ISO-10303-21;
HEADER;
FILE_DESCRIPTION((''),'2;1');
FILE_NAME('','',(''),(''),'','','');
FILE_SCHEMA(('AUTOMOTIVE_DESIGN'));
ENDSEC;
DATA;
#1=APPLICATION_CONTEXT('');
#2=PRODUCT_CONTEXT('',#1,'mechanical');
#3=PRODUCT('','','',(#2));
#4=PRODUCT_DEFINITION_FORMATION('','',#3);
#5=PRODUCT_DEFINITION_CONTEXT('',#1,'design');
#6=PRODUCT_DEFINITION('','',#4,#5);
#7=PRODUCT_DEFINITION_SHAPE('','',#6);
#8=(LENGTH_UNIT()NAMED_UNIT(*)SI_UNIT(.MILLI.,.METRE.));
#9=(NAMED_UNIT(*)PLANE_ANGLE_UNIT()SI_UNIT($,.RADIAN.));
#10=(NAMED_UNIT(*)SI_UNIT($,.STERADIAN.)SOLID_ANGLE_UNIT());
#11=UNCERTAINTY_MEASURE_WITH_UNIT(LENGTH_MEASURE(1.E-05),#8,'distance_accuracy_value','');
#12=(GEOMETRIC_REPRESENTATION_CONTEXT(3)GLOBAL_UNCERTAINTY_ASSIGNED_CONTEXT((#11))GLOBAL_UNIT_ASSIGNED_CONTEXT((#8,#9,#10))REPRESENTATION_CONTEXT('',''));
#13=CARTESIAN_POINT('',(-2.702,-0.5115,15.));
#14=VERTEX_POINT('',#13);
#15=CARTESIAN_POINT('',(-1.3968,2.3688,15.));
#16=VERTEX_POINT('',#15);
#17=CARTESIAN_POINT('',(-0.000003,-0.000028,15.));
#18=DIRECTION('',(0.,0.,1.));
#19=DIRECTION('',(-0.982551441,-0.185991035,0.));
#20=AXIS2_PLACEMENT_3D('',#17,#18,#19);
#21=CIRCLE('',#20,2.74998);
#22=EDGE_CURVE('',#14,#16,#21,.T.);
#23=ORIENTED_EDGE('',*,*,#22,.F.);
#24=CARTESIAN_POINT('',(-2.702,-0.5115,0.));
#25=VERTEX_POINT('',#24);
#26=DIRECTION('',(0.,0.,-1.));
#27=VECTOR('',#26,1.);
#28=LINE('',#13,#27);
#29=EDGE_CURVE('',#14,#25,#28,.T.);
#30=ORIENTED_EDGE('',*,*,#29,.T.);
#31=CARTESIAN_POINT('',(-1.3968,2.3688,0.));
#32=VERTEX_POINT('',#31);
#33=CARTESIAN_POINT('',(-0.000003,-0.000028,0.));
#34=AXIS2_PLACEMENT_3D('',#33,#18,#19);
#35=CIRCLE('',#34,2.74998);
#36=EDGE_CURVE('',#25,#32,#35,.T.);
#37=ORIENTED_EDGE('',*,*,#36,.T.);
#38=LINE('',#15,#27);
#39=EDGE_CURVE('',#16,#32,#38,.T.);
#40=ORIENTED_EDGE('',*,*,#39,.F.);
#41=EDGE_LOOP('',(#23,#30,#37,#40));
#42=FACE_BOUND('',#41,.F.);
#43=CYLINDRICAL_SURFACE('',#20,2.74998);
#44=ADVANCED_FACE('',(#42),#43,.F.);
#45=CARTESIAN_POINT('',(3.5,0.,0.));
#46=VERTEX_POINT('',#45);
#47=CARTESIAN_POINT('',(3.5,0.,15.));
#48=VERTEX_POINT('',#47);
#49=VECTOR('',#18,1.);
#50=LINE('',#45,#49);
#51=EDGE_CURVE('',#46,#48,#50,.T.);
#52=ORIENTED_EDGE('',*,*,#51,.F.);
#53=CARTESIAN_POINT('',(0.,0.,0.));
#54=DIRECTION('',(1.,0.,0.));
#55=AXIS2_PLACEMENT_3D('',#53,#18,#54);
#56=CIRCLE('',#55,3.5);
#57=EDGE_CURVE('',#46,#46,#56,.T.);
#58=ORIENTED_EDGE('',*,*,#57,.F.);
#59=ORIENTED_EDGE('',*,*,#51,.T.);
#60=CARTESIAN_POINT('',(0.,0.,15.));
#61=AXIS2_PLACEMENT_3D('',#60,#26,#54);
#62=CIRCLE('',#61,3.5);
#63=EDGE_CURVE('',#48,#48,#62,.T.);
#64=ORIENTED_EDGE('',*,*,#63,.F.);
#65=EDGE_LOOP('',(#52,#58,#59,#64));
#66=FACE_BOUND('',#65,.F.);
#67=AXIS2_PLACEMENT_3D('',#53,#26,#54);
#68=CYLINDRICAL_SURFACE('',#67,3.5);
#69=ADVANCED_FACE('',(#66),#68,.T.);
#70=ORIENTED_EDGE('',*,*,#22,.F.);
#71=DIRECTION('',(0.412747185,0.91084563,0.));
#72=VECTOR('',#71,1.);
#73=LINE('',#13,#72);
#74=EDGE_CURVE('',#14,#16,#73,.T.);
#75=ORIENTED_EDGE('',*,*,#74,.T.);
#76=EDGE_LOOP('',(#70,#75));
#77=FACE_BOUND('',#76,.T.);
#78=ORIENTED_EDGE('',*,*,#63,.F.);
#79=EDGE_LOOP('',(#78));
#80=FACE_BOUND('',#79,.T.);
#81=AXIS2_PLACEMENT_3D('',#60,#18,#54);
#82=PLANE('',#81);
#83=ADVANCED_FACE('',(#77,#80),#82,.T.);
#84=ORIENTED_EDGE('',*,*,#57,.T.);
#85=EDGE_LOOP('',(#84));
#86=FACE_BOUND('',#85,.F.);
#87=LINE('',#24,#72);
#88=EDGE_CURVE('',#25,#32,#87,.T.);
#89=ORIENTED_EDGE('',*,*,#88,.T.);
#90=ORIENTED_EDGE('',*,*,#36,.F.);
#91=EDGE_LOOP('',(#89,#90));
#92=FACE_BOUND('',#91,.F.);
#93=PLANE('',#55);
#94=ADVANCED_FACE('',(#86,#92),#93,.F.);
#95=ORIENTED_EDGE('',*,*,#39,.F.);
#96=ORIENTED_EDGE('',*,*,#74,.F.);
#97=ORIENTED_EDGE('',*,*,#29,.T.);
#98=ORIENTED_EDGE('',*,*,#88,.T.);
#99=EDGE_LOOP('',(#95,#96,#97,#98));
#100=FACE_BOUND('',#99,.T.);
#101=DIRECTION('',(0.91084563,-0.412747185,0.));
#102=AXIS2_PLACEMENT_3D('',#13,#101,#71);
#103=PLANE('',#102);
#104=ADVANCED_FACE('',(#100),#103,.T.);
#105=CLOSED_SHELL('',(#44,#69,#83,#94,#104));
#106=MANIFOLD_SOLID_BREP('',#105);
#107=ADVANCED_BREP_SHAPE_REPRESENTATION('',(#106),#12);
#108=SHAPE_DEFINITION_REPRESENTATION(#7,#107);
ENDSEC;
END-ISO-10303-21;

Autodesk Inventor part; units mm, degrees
ref_plane "YZ Plane" through (0, 0, 0) normal (1, 0, 0) x (0, 1, 0)
ref_plane "XZ Plane" through (0, 0, 0) normal (0, 1, 0) x (-1, 0, 0)
sketch "Sketch1" plane through (0, 0, 0) normal (0, 0, 1) x (1, 0, 0)
  line L0 (-2.4408, -0.5408) -> (-1.2026, 2.1918) projected
  arc A0 (-2.4408, -0.5408) -> (-1.2026, 2.1918) centre (0, 0) ccw projected
  circle A1 centre (0, 0) radius 3.5
  line L1 (-3.6608, -0.2297) -> (-3.4925, -0.2297)
  line L2 (-3.4925, 0.2297) -> (-3.6608, 0.2297)
  line L3 (-3.6608, 0.2297) -> (-3.6608, -0.2297)
  line L4 (-3.6608, -0.2297) -> (-3.5, 0) construction
  line L5 (-3.5, 0) -> (-3.6608, 0.2297) construction
  point P0 (0, 0)
  dimension "d0" = 7
ref_plane "Work Plane1" through (-2, -2, 15) normal (0, 0, 1) x (1, 0, 0)
extrude "Extrusion1" add sketch "Sketch1" along normal up to surface (15 mm away) contours A1
sketch "Sketch2" plane through (0, 0, 15) normal (0, 0, 1) x (1, 0, 0)
  arc A0 (-2.4408, -0.5408) -> (-1.2026, 2.1918) centre (0, 0) ccw projected
  line L0 (-1.2026, 2.1918) -> (-2.4408, -0.5408) projected
  circle A1 centre (0, 0) radius 3.5 projected
  arc A2 (-2.702, -0.5115) -> (-1.3968, 2.3688) centre (0, 0) ccw
  line L1 (-2.702, -0.5115) -> (-1.3968, 2.3688)
  point P0 (0, 0)
  dimension "d9" = 0.25
extrude "Extrusion2" cut sketch "Sketch2" against normal up to surface (15 mm away) contours L1 A2
properties part number "RobotWheelMK1printtest"
